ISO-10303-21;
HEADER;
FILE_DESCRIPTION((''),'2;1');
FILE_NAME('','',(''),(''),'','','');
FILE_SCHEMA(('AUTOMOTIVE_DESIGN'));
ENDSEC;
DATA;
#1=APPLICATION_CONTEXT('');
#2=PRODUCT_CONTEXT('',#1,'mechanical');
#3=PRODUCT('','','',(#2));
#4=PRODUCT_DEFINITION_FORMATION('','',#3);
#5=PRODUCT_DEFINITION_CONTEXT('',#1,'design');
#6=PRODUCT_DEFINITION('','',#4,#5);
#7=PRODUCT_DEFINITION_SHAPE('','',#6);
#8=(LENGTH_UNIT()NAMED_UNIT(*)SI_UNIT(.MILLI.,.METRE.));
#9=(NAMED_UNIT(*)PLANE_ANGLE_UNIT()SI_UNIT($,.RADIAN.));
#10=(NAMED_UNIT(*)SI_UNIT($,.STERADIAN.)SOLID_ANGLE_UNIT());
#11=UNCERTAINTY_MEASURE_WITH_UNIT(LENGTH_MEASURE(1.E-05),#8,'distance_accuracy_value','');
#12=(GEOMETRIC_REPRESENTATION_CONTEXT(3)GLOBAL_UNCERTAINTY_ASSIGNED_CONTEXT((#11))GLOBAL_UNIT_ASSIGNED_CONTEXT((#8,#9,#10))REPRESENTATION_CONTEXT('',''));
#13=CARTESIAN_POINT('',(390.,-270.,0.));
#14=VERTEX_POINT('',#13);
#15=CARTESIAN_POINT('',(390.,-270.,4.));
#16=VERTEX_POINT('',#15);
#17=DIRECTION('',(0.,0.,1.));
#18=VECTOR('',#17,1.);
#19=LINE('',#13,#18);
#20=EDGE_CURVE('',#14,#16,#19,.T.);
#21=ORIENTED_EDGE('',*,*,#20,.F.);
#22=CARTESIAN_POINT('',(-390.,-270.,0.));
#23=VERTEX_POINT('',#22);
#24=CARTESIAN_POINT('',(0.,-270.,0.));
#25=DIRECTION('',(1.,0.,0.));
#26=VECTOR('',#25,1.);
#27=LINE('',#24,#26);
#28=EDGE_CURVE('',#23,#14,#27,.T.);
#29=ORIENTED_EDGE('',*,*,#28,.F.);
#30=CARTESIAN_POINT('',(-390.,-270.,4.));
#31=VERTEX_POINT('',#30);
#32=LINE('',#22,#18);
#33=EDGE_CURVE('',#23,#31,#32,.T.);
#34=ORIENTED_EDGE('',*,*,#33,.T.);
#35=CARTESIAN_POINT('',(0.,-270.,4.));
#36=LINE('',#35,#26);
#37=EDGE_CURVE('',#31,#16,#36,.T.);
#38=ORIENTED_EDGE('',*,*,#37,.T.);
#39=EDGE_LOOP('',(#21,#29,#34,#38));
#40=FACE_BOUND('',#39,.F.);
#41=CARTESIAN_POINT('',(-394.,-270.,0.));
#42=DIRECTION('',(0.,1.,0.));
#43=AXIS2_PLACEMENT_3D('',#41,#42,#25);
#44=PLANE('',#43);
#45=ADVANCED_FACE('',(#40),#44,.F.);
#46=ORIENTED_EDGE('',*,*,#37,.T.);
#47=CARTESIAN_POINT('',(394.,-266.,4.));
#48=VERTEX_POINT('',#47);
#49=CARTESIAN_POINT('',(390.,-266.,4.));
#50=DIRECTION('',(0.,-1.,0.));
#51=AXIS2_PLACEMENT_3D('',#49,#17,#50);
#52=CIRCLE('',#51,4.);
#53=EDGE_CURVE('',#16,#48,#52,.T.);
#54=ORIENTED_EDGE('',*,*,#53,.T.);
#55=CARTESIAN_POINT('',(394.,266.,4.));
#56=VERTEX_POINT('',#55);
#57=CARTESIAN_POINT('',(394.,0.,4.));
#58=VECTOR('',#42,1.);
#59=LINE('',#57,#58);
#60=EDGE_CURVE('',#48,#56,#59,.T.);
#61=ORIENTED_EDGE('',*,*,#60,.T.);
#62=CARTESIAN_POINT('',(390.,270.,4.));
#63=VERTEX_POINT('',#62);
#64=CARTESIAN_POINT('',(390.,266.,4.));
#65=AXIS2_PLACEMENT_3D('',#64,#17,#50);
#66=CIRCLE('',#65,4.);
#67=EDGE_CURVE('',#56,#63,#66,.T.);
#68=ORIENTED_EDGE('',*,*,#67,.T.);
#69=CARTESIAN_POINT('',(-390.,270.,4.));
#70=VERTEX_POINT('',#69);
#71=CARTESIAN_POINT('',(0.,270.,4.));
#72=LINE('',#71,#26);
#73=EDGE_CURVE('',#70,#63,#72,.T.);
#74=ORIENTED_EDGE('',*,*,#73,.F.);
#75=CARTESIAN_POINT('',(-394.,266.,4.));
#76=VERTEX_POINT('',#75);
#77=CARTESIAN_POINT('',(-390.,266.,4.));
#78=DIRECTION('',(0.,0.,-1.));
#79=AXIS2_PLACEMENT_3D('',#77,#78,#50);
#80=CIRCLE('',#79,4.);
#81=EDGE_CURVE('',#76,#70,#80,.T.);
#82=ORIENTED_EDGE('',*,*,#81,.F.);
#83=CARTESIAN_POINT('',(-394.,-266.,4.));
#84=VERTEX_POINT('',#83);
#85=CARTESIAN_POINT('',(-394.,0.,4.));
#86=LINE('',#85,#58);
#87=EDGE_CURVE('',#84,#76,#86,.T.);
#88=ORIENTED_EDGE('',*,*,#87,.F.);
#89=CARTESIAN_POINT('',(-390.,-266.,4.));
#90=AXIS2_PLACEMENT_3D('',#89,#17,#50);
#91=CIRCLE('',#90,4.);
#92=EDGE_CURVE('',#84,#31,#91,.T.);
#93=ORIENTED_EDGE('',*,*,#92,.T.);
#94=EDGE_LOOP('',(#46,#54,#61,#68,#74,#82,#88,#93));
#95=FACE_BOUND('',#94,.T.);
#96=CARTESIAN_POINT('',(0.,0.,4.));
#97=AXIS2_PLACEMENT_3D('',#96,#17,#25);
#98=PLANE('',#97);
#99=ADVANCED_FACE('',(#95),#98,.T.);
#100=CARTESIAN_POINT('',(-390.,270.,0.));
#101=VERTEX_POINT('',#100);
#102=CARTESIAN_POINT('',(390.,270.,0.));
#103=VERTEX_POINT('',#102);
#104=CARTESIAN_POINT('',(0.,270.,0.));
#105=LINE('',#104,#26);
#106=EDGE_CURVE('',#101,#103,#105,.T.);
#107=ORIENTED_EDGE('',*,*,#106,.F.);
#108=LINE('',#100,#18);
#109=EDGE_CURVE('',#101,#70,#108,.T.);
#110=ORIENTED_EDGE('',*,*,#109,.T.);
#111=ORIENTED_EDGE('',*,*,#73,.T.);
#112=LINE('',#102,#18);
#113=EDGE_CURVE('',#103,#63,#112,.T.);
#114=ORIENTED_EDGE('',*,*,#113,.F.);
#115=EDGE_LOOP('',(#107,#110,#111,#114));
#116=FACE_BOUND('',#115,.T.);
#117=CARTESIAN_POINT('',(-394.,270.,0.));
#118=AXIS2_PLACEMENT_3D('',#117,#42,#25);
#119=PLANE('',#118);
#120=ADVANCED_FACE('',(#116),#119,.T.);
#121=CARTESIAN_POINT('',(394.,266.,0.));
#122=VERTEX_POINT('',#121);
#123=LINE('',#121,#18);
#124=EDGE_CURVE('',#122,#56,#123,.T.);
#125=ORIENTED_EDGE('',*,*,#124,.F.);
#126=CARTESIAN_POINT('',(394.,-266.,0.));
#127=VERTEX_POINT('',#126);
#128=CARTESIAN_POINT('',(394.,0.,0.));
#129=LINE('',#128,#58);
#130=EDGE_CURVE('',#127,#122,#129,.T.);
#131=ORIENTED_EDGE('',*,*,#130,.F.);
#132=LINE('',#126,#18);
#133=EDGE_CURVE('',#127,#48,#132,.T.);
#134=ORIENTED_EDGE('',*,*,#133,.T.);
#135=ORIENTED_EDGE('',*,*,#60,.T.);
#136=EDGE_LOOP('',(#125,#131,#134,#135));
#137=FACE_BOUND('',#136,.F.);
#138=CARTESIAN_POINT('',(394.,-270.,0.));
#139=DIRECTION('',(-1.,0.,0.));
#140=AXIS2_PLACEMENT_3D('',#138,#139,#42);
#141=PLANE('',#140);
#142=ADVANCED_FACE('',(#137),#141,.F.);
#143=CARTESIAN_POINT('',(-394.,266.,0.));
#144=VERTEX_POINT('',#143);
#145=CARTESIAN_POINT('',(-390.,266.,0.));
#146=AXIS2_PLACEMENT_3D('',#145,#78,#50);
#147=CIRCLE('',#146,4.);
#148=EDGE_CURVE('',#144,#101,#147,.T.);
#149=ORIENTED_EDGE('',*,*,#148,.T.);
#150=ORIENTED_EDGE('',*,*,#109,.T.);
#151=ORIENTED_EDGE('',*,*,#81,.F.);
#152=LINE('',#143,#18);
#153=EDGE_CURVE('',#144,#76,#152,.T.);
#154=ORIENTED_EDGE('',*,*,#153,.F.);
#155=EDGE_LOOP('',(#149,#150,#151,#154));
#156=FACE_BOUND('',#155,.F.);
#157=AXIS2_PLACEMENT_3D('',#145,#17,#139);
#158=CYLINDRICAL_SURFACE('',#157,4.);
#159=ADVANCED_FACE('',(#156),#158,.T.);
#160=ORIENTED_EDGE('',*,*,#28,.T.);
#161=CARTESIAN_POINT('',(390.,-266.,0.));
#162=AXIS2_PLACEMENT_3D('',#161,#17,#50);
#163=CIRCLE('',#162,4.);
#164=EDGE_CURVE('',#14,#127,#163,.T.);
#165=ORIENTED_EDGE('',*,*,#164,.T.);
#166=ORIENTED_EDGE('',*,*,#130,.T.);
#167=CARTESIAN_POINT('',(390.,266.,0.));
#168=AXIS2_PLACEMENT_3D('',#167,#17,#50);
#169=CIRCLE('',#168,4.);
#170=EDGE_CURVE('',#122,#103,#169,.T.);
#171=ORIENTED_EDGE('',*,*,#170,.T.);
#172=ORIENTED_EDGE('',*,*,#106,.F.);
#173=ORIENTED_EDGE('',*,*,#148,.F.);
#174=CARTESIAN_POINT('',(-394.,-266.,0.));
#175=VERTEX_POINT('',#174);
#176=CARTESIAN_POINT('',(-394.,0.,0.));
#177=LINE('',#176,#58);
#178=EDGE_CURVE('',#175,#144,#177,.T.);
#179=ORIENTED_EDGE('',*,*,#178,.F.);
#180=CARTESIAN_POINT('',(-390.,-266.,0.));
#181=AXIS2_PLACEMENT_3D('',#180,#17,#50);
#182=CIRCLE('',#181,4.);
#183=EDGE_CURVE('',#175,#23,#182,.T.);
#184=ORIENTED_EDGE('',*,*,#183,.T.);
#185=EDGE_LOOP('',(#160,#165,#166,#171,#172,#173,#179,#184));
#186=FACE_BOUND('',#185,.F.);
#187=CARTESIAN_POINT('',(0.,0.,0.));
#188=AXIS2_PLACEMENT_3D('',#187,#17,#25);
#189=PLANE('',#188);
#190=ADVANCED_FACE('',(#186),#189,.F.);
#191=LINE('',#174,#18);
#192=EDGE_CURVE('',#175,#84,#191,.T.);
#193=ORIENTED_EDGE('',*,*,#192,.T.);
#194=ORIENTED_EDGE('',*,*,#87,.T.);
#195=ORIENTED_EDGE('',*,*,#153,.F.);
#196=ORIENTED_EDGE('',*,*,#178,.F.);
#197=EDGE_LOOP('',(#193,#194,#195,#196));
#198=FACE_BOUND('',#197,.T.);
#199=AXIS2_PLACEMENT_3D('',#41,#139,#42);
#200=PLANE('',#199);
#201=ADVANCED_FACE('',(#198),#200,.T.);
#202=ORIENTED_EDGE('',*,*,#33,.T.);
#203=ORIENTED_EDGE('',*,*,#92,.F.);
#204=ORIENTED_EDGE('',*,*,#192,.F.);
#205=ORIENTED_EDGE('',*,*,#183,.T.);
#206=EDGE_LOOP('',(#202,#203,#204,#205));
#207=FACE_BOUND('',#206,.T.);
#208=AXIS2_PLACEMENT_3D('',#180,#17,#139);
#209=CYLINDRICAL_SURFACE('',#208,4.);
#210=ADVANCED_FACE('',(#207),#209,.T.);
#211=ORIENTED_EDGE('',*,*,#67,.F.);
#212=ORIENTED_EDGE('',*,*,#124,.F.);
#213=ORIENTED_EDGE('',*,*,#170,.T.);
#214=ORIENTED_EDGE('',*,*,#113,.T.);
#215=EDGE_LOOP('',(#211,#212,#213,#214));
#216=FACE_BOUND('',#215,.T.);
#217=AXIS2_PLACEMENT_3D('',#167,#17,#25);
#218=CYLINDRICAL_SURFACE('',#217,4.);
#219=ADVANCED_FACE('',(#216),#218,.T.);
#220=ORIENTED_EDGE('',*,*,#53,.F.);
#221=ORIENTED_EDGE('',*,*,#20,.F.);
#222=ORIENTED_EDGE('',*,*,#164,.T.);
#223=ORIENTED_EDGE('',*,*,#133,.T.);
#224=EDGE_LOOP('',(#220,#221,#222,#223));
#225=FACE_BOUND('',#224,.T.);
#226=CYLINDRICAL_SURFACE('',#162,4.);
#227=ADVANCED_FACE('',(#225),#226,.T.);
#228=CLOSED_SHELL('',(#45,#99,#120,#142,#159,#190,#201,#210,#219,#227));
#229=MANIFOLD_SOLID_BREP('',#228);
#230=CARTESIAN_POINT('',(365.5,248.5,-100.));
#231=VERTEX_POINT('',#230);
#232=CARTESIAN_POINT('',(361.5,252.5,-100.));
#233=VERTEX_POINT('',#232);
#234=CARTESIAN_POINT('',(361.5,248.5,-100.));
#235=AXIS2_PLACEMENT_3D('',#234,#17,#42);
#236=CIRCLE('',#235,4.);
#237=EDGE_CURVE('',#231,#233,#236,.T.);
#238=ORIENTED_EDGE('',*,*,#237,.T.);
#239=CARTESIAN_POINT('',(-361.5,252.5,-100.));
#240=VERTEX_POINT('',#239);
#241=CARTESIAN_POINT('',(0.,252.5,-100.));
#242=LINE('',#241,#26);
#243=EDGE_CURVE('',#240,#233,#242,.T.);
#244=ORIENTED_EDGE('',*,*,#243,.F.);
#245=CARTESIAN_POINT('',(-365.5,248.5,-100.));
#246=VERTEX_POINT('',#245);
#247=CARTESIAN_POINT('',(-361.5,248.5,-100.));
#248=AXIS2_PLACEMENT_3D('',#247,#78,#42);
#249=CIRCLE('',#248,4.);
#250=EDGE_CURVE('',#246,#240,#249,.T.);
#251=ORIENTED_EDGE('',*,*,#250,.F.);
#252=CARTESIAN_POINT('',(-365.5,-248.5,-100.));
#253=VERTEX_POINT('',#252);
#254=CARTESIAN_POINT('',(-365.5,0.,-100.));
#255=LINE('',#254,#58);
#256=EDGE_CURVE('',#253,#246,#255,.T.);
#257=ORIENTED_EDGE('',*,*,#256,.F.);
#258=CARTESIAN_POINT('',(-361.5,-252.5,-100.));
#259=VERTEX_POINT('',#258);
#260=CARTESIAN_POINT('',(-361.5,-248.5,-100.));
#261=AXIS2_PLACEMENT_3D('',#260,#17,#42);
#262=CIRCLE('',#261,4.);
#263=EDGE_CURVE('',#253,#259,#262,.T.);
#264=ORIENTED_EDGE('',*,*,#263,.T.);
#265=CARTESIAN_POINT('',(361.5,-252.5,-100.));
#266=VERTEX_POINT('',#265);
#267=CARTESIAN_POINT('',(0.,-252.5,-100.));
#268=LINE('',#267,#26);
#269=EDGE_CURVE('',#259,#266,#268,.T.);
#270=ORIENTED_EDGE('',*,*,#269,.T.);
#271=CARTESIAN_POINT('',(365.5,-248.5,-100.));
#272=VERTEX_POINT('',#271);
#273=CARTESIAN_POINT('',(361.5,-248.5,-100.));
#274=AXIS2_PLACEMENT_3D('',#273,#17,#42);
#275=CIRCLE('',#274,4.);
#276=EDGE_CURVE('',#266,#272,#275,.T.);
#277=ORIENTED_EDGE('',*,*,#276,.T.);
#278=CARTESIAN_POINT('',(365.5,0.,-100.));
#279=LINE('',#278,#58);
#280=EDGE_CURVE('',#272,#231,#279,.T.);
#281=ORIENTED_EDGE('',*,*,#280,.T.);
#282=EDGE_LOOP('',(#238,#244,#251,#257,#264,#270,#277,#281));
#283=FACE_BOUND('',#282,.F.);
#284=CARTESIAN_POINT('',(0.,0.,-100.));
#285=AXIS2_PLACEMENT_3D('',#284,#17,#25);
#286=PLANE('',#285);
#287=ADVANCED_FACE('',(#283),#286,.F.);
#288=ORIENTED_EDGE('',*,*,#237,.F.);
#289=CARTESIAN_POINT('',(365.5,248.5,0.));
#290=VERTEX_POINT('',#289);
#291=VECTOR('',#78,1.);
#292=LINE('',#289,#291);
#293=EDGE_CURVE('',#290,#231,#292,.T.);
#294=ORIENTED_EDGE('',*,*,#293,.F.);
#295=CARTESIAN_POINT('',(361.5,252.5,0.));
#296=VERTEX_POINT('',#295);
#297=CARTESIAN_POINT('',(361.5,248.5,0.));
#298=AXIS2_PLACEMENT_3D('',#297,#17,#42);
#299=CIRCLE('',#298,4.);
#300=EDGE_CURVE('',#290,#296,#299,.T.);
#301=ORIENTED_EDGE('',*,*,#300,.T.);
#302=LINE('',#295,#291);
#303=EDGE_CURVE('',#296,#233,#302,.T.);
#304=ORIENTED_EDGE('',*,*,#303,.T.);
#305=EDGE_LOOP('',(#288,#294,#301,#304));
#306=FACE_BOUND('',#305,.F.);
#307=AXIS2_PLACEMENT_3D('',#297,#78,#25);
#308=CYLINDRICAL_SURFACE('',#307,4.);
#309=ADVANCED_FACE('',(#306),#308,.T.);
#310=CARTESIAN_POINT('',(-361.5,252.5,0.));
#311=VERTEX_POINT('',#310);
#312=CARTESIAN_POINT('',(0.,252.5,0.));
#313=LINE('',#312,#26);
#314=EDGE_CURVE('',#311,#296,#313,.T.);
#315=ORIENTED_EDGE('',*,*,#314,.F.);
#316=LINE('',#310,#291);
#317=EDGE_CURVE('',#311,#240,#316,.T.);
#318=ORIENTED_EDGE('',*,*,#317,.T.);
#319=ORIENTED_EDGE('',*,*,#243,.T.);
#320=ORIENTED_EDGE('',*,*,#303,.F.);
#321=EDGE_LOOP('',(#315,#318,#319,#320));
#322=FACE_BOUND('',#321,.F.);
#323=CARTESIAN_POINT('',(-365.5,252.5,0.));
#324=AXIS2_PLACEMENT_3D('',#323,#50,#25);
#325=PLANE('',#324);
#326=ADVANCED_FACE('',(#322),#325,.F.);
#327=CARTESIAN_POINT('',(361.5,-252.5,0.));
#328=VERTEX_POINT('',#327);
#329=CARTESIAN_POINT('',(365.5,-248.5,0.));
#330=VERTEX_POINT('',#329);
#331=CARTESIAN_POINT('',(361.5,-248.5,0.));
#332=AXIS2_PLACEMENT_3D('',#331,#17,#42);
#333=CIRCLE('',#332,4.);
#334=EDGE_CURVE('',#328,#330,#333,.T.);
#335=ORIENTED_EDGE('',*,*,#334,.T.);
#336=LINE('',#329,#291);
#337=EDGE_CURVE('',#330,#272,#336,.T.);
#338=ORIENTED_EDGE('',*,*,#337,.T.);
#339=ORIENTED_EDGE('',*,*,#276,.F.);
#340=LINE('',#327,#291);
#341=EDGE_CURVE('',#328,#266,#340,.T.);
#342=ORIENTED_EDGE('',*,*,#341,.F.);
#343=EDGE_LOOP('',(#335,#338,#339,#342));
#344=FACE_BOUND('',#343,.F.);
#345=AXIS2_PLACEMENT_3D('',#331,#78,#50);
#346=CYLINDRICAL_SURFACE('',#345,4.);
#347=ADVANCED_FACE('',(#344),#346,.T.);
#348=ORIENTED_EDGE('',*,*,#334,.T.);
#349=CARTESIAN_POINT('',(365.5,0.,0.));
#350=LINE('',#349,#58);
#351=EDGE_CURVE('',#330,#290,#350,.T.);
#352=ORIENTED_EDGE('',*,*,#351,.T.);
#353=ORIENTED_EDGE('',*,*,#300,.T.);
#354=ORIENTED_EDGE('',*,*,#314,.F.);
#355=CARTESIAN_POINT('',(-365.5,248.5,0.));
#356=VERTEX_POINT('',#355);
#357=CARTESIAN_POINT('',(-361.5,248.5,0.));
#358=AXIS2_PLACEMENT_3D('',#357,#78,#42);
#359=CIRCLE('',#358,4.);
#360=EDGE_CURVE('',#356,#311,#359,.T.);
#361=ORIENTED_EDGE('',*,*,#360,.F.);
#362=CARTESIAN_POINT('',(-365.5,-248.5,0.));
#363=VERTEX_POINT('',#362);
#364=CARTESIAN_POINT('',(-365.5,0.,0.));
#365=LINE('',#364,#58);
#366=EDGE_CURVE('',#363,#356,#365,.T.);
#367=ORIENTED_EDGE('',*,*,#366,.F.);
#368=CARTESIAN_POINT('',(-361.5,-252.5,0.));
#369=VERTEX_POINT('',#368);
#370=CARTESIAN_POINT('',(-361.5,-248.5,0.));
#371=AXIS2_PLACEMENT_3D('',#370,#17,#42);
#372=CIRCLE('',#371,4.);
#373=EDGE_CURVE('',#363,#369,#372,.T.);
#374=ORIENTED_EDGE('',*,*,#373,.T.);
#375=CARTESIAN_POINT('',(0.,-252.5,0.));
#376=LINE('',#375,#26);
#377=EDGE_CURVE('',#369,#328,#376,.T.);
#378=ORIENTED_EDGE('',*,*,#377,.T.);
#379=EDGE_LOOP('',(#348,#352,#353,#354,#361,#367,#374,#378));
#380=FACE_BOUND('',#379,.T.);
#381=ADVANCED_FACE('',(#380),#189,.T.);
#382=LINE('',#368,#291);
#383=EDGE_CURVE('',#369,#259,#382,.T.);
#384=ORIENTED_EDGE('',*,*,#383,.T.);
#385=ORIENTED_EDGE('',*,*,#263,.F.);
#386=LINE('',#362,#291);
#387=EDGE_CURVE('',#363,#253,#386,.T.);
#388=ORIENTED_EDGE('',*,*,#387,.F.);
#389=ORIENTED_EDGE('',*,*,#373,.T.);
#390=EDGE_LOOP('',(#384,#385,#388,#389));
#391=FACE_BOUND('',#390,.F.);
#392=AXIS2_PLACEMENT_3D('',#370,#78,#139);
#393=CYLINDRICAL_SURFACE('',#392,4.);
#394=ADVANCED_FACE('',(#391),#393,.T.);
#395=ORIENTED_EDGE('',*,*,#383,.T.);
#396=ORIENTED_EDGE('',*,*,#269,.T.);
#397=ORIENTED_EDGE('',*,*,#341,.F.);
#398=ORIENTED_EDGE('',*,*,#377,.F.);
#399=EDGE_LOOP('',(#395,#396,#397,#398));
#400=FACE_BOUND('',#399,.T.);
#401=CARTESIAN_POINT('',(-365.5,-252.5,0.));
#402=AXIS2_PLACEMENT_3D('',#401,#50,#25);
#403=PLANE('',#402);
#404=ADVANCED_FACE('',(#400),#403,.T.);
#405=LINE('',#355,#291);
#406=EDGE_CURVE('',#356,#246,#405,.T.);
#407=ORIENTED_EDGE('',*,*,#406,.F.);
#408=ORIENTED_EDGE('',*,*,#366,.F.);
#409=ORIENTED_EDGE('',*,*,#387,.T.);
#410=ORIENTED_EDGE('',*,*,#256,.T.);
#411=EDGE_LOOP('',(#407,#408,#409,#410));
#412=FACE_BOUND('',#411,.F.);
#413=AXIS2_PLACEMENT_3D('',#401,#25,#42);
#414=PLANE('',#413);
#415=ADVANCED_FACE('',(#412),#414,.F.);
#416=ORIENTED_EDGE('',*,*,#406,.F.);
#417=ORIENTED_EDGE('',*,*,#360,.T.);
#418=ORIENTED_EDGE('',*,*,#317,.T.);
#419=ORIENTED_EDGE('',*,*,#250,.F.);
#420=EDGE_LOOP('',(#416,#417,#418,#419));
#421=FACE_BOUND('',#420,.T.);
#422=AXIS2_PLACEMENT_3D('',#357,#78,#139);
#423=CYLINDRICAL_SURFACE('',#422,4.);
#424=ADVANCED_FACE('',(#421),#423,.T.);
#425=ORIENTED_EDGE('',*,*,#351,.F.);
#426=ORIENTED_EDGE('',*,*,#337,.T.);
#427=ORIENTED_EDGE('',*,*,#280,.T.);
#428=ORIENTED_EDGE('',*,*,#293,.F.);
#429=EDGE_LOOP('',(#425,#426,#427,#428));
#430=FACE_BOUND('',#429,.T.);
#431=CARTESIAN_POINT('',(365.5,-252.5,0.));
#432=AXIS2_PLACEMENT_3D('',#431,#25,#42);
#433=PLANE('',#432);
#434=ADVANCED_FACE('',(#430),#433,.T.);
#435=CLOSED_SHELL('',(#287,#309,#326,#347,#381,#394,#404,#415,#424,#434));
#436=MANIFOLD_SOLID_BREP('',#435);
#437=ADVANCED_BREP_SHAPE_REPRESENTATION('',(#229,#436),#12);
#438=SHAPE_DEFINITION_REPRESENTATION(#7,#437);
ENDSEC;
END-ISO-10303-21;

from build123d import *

# Parameters (mm, degrees)
F0_W     = 731
F0_H     = 505
F1_DEPTH = 100
F2_W     = 788
F2_H     = 540
F3_DEPTH = 4
F4_R     = 4
F4_2_R   = 4


with BuildPart() as f1:
    # F0 (on Top) → F1 (new body)
    with BuildSketch(Plane.XY):
        Rectangle(F0_W, F0_H)
    extrude(amount=-F1_DEPTH)

    # F4#2
    f4_2_edges = [f1.edges().sort_by_distance(p)[0] for p in [
        (365.5, -252.5, -50),
        (365.5, 252.5, -50),
        (-365.5, 252.5, -50),
        (-365.5, -252.5, -50),
    ]]
    fillet(f4_2_edges, radius=F4_2_R)


with BuildPart() as f3:
    # F2 (on face) → F3 (new body)
    with BuildSketch(Plane.XY):
        Rectangle(F2_W, F2_H)
    extrude(amount=F3_DEPTH)

    # F4
    f4_edges = [f3.edges().sort_by_distance(p)[0] for p in [
        (-394, -270, 2),
        (394, -270, 2),
        (394, 270, 2),
        (-394, 270, 2),
    ]]
    fillet(f4_edges, radius=F4_R)


solid = Compound([f1.part, f3.part])
